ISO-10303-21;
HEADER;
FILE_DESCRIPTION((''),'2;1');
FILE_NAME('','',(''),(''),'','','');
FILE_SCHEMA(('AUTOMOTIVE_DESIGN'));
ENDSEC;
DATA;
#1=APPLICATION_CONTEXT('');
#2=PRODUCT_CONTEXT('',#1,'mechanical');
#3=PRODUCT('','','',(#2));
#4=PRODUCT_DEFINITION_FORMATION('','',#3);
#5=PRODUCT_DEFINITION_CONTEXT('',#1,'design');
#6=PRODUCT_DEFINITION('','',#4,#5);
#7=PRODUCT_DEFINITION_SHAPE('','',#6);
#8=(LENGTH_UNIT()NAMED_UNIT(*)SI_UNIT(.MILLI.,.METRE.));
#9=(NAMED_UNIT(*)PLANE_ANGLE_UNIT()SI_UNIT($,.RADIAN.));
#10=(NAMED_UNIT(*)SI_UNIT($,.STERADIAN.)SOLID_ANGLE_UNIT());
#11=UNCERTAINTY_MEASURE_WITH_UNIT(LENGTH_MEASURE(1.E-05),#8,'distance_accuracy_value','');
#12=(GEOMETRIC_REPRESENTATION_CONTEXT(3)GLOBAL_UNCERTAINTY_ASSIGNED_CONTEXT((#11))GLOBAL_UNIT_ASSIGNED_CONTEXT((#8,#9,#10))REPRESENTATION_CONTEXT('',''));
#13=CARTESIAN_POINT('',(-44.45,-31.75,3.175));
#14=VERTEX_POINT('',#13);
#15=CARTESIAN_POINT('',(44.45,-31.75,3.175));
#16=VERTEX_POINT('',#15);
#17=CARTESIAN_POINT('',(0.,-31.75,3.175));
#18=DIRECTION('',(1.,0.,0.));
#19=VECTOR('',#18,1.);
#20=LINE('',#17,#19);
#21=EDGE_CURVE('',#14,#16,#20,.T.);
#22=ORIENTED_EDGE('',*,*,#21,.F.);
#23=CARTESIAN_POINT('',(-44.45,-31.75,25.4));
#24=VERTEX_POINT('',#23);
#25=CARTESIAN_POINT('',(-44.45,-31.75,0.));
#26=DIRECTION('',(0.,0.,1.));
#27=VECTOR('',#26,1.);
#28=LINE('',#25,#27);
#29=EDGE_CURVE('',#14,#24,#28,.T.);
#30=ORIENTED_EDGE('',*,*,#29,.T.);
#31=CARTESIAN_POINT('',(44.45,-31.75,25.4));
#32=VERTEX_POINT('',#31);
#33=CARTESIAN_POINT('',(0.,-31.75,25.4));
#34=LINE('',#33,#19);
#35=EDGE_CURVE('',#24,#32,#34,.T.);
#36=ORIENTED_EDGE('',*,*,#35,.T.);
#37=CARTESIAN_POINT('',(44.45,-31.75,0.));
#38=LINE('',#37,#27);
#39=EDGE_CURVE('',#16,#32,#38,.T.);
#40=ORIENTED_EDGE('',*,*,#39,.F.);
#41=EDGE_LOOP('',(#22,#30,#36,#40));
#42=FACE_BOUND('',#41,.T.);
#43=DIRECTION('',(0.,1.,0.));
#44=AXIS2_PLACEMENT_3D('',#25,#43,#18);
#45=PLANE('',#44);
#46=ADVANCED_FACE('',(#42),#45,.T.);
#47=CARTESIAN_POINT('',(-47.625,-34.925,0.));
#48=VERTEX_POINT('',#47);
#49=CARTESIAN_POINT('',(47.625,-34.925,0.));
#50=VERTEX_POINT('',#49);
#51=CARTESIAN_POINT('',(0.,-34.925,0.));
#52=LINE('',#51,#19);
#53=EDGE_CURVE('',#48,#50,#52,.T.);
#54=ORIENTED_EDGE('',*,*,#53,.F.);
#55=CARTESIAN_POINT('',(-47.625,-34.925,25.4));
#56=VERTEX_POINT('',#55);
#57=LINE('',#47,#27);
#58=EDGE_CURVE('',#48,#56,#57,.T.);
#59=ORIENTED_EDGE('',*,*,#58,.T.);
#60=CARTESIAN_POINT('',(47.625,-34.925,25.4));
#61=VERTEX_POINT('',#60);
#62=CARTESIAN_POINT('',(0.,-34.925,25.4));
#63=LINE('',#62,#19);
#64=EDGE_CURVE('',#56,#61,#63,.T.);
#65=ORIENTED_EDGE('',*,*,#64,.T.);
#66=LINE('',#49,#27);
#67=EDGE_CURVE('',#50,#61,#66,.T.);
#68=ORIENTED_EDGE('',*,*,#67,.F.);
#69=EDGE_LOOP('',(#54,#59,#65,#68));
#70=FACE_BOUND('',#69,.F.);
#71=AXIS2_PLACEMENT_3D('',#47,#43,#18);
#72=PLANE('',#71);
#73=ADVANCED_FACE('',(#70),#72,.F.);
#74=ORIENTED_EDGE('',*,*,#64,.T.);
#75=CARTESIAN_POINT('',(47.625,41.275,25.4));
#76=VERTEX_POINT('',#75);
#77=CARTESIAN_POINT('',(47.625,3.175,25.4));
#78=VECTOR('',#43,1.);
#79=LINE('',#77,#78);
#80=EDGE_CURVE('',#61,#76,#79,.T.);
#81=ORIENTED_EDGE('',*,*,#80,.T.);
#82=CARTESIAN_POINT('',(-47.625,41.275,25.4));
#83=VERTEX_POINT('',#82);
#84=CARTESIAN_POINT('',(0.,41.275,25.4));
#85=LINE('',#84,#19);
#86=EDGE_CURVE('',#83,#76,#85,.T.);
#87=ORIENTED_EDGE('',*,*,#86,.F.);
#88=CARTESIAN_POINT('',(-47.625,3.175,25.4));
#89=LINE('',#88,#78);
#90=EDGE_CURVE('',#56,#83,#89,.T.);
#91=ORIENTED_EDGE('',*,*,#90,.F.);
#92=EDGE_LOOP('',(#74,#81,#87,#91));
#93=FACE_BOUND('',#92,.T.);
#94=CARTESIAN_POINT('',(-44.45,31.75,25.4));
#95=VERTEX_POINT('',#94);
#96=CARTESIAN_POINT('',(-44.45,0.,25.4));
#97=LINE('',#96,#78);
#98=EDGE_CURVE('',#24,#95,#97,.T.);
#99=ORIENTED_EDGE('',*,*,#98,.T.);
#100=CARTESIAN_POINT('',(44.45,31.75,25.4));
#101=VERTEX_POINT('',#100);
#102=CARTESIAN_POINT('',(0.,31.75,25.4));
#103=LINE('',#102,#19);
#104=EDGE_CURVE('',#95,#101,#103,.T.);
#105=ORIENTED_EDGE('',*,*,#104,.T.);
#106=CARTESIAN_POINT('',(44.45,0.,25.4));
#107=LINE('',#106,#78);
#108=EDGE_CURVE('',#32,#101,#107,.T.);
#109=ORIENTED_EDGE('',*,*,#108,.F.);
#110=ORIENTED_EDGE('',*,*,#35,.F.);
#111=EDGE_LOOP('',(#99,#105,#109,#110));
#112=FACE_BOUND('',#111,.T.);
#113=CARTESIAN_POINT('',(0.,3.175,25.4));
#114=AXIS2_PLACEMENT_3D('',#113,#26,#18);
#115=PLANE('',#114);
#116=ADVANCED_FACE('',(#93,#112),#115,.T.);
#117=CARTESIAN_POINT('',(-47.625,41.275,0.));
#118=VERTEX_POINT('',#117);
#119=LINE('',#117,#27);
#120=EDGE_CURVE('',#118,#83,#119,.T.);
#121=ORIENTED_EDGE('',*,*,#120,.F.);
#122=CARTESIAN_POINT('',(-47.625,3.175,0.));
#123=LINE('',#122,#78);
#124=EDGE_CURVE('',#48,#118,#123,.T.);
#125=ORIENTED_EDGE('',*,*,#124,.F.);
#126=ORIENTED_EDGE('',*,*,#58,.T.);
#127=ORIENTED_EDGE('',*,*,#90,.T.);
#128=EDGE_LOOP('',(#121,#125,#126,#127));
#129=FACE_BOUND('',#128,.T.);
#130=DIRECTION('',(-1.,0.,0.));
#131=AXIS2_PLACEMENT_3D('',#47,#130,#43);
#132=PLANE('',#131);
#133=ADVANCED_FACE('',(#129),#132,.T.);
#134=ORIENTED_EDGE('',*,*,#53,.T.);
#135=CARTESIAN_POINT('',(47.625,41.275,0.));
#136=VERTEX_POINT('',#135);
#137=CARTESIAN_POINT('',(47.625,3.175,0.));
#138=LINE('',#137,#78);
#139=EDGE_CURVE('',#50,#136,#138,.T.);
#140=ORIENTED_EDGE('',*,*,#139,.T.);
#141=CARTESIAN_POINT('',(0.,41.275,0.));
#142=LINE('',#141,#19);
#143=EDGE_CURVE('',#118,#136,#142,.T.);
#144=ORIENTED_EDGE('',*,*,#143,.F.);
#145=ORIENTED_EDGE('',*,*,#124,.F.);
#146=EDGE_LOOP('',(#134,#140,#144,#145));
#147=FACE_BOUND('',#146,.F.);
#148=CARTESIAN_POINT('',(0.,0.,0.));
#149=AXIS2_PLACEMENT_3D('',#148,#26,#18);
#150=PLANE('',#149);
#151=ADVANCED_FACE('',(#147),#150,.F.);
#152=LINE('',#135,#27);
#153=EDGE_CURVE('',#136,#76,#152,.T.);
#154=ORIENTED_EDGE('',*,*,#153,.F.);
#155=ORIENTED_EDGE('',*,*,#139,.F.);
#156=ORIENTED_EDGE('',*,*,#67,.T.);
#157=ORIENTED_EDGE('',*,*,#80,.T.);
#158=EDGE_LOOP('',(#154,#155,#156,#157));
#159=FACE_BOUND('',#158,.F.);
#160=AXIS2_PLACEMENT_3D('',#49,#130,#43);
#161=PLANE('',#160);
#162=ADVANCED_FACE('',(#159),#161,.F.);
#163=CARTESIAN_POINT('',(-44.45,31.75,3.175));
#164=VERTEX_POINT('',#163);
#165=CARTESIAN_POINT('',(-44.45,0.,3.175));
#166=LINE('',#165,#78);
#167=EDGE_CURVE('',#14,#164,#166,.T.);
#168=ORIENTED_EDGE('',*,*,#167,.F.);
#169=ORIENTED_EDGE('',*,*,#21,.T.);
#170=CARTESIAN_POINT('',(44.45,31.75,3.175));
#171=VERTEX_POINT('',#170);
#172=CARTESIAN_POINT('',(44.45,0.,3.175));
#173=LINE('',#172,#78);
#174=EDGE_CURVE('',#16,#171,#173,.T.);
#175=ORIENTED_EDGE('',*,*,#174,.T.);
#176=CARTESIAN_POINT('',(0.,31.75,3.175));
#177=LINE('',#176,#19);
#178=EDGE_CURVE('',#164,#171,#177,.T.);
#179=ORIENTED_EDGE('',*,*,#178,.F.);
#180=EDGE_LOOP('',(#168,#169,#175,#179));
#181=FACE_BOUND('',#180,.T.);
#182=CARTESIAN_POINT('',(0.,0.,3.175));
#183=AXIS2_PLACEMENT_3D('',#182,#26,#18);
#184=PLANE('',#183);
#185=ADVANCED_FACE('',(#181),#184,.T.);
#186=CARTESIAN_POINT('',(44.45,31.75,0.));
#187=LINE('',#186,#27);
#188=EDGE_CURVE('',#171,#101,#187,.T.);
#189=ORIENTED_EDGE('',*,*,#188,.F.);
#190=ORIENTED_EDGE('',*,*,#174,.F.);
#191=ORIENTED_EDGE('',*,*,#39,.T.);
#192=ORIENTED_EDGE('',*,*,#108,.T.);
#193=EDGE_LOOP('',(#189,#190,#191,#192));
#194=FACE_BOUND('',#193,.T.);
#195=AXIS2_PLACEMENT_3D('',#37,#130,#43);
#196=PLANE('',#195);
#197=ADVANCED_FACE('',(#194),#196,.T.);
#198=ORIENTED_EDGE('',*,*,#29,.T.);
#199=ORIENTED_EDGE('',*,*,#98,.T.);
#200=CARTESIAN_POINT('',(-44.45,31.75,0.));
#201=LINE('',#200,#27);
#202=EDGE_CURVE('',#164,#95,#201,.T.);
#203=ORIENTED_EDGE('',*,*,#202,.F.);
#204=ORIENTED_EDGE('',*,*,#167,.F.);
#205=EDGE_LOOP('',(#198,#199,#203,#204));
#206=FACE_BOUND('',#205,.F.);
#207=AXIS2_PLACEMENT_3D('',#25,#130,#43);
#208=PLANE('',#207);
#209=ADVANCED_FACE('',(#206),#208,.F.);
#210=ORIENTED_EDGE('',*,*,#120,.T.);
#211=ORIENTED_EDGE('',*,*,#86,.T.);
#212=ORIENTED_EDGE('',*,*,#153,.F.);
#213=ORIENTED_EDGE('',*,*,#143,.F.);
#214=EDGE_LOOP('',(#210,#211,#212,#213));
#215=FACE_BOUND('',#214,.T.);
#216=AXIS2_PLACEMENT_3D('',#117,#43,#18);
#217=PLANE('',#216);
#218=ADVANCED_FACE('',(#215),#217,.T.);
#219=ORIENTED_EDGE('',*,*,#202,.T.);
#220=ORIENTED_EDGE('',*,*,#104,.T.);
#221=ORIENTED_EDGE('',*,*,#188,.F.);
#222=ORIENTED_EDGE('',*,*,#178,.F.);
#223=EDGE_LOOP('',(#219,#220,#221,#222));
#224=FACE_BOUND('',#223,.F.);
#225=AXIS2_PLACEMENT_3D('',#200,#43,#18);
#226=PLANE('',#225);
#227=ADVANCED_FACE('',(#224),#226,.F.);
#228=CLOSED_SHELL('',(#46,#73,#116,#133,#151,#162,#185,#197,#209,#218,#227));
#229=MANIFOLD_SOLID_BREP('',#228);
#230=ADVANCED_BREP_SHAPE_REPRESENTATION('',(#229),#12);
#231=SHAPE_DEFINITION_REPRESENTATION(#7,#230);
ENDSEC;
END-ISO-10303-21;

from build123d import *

# Parameters (mm, degrees)
F0_W     = 95.25
F0_H     = 76.2
F0_W_2   = 88.9
F0_H_2   = 63.5
F1_DEPTH = 25.4
F2_W     = 88.9
F2_H     = 63.5
F3_DEPTH = 3.175


with BuildPart() as f1:
    # F0 (on Top) → F1 (new body)
    with BuildSketch(Plane.XY):
        with Locations((0, 3.175)):
            Rectangle(F0_W, F0_H)
        Rectangle(F0_W_2, F0_H_2, mode=Mode.SUBTRACT)
    extrude(amount=F1_DEPTH)

    # F2 (on Top) → F3 (join)
    with BuildSketch(Plane.XY):
        Rectangle(F2_W, F2_H)
    extrude(amount=F3_DEPTH)


solid = f1.part
